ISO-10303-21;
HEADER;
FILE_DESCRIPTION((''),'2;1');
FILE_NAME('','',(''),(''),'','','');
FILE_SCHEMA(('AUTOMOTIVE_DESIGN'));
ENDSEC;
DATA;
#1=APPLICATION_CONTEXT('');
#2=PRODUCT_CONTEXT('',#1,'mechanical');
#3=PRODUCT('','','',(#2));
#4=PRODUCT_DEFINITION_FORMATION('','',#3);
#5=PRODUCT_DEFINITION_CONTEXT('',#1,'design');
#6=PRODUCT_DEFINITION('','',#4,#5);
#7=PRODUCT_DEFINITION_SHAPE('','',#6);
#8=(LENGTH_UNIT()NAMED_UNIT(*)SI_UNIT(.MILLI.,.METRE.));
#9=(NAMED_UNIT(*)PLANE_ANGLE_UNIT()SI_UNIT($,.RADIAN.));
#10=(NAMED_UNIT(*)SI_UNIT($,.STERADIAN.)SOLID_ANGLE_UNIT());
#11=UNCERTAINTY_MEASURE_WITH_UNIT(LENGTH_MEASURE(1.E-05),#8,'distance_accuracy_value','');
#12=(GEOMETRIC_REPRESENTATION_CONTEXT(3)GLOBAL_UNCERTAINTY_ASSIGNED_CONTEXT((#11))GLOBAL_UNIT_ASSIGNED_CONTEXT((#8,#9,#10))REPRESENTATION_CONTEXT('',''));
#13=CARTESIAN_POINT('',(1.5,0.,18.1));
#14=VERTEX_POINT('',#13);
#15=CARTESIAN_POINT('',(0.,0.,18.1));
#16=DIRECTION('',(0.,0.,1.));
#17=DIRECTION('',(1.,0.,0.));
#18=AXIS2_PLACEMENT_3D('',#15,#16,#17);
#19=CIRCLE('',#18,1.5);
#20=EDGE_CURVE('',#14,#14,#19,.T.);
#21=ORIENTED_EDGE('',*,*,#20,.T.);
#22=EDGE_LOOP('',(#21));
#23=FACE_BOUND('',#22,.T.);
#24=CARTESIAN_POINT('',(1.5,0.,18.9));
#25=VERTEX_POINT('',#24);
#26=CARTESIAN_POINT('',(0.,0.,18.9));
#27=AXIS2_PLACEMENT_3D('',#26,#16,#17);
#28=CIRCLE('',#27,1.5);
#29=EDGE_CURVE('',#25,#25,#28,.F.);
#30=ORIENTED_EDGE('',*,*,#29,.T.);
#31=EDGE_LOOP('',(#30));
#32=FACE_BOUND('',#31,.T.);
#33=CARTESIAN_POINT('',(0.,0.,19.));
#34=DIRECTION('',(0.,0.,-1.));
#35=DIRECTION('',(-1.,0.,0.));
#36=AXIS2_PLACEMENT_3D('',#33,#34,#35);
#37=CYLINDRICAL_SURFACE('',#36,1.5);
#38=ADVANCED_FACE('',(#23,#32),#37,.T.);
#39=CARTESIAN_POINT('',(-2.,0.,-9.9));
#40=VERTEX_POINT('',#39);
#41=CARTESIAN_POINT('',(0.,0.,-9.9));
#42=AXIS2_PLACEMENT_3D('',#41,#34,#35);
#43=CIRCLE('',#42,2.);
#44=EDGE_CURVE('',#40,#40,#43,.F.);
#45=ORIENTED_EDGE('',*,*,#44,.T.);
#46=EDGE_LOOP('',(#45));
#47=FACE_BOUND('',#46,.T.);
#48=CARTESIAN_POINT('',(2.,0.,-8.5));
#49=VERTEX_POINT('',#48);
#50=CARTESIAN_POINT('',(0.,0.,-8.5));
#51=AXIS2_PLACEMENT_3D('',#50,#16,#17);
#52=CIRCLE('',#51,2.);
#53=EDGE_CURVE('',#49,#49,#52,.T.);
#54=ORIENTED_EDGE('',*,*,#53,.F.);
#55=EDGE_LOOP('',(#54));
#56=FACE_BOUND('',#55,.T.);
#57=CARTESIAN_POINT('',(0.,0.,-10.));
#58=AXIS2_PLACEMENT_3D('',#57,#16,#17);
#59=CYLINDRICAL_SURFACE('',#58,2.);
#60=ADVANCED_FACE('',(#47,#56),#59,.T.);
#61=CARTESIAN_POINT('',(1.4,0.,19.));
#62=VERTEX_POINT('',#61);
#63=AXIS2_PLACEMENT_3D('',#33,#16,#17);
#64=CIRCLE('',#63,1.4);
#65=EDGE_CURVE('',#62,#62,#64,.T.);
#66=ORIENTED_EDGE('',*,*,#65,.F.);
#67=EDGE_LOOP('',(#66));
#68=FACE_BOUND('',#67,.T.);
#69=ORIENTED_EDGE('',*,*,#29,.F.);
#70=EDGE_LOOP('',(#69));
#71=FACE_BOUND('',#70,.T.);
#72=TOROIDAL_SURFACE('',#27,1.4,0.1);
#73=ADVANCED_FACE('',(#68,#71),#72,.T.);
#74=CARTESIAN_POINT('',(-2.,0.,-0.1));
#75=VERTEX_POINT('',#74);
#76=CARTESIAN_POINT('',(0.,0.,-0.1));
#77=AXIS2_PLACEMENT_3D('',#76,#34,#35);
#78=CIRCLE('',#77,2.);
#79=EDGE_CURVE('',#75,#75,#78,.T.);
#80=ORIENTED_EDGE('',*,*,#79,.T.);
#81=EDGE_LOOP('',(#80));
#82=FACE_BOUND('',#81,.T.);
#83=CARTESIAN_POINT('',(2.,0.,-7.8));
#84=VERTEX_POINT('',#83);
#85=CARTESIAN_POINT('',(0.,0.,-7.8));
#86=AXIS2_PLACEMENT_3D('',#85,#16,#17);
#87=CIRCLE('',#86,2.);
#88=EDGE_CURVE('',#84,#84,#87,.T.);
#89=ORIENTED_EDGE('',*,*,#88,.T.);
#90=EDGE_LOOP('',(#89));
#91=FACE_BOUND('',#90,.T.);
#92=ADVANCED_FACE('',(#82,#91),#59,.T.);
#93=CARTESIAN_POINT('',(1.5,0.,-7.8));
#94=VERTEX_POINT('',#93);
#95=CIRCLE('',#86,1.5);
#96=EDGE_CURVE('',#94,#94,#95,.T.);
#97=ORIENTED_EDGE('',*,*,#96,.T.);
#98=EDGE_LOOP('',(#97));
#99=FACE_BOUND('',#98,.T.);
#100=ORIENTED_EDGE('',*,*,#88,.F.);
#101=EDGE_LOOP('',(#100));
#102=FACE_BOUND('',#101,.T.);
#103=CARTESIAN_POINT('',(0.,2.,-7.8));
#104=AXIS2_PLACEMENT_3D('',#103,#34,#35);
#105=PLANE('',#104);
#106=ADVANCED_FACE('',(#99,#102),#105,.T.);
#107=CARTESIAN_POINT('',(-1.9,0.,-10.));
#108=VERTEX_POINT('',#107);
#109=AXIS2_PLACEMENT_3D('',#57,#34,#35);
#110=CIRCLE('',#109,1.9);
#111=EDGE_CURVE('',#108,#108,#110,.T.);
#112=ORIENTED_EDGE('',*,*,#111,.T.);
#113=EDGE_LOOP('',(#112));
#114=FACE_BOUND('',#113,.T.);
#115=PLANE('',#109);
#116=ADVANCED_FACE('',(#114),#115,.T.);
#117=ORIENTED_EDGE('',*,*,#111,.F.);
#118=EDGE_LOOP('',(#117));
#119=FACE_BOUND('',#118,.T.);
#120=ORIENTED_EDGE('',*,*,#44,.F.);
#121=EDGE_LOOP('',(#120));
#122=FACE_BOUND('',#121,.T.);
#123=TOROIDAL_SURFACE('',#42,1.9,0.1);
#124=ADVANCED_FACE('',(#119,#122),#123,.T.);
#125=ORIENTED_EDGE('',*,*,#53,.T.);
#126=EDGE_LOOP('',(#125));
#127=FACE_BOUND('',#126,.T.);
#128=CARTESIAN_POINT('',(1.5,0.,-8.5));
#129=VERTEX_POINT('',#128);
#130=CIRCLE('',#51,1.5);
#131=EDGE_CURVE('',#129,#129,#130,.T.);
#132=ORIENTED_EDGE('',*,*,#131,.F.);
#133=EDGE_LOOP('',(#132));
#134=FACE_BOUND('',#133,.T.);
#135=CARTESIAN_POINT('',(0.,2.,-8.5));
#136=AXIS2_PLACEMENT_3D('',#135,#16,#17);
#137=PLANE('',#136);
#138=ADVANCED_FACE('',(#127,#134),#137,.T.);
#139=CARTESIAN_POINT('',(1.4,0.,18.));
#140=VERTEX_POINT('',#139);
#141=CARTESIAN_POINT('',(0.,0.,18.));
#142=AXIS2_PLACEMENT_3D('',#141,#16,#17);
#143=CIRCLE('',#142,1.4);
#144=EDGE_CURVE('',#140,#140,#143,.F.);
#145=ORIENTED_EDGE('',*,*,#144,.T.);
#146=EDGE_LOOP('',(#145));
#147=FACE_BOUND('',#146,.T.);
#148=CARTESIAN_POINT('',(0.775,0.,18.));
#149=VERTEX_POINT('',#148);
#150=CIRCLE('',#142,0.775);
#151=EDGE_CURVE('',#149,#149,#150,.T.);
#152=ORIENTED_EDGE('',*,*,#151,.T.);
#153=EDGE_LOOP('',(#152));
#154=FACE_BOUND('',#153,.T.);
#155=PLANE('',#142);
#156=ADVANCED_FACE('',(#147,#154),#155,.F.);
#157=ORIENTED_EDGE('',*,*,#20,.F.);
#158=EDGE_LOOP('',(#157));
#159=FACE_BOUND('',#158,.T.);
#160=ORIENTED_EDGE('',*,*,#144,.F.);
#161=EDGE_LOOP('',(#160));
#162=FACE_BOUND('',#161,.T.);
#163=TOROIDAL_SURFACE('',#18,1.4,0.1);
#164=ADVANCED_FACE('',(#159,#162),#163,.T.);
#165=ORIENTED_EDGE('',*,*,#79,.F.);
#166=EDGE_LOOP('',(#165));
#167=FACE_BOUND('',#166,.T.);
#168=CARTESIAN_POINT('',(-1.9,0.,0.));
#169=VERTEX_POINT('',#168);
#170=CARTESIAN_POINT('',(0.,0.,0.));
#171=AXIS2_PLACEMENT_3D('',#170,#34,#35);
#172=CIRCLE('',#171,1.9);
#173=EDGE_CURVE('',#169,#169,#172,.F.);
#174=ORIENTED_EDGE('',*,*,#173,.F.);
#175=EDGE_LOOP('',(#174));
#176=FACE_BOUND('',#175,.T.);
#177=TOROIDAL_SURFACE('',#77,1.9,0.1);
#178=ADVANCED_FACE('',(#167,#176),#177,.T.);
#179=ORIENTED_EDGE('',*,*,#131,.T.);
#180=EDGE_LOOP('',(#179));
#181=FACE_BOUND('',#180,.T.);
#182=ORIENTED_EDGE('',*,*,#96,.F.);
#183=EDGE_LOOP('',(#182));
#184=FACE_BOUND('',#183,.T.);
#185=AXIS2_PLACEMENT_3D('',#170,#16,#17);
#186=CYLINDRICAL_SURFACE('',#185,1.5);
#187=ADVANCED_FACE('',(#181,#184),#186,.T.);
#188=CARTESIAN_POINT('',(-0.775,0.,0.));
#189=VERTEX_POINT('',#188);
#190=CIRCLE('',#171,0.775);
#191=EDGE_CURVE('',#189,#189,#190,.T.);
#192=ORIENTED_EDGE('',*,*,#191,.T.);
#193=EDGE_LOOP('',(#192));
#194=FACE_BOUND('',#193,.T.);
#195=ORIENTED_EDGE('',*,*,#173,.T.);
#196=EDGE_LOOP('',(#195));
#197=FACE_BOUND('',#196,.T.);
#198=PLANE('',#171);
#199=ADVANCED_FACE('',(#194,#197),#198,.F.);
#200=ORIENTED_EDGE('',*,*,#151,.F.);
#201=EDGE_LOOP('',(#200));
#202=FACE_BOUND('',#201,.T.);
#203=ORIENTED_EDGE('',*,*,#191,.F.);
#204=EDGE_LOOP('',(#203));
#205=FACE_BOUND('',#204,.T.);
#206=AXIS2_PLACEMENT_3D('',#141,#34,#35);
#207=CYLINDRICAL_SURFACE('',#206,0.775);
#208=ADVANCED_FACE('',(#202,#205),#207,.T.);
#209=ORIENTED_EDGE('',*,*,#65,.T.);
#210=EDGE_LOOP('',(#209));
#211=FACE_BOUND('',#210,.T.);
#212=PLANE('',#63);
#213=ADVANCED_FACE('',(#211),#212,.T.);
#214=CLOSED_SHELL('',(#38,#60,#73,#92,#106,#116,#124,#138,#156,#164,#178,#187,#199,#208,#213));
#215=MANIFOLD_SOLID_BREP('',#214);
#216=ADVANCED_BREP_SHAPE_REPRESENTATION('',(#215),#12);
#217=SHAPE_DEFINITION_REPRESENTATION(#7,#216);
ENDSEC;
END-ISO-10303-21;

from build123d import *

# Parameters (mm, degrees)
SKETCH1_R           = 0.775
BOSS_EXTRUDE1_DEPTH = 18
SKETCH2_R           = 1.5
BOSS_EXTRUDE2_DEPTH = 1
SKETCH3_R           = 2
BOSS_EXTRUDE4_DEPTH = 10
SKETCH5_W           = 0.7
SKETCH5_H           = 0.5
FILLET1_R           = 0.1


with BuildPart() as part:
    # Sketch1 → Boss-Extrude1 (new body)
    with BuildSketch(Plane.XY):
        Circle(SKETCH1_R)
    extrude(amount=BOSS_EXTRUDE1_DEPTH)

    # Sketch2 → Boss-Extrude2 (add)
    with BuildSketch(Plane.XY.offset(18)):
        Circle(SKETCH2_R)
    extrude(amount=BOSS_EXTRUDE2_DEPTH)

    # Sketch3 → Boss-Extrude4 (add)
    with BuildSketch(Plane(origin=(0, 0, 0), x_dir=(-1, 0, 0), z_dir=(0, 0, -1))):
        Circle(SKETCH3_R)
    extrude(amount=BOSS_EXTRUDE4_DEPTH)

    # Sketch5 → Cut-Revolve1 (revolve, cut)
    with BuildSketch(Plane(origin=(0, 0, 0), x_dir=(0, 0, -1), z_dir=(1, 0, 0))):
        with Locations((8.15, 1.75)):
            Rectangle(SKETCH5_W, SKETCH5_H)
    revolve(axis=Axis((0, 0, 0), (0, 0, -1)), mode=Mode.SUBTRACT)

    # Fillet1
    fillet1_edges = [part.edges().sort_by_distance(p)[0] for p in [
        (-1.5, 0, 18),
        (-1.5, 0, 19),
        (2, 0, 0),
        (2, 0, -10),
    ]]
    fillet(fillet1_edges, radius=FILLET1_R)


solid = part.part
